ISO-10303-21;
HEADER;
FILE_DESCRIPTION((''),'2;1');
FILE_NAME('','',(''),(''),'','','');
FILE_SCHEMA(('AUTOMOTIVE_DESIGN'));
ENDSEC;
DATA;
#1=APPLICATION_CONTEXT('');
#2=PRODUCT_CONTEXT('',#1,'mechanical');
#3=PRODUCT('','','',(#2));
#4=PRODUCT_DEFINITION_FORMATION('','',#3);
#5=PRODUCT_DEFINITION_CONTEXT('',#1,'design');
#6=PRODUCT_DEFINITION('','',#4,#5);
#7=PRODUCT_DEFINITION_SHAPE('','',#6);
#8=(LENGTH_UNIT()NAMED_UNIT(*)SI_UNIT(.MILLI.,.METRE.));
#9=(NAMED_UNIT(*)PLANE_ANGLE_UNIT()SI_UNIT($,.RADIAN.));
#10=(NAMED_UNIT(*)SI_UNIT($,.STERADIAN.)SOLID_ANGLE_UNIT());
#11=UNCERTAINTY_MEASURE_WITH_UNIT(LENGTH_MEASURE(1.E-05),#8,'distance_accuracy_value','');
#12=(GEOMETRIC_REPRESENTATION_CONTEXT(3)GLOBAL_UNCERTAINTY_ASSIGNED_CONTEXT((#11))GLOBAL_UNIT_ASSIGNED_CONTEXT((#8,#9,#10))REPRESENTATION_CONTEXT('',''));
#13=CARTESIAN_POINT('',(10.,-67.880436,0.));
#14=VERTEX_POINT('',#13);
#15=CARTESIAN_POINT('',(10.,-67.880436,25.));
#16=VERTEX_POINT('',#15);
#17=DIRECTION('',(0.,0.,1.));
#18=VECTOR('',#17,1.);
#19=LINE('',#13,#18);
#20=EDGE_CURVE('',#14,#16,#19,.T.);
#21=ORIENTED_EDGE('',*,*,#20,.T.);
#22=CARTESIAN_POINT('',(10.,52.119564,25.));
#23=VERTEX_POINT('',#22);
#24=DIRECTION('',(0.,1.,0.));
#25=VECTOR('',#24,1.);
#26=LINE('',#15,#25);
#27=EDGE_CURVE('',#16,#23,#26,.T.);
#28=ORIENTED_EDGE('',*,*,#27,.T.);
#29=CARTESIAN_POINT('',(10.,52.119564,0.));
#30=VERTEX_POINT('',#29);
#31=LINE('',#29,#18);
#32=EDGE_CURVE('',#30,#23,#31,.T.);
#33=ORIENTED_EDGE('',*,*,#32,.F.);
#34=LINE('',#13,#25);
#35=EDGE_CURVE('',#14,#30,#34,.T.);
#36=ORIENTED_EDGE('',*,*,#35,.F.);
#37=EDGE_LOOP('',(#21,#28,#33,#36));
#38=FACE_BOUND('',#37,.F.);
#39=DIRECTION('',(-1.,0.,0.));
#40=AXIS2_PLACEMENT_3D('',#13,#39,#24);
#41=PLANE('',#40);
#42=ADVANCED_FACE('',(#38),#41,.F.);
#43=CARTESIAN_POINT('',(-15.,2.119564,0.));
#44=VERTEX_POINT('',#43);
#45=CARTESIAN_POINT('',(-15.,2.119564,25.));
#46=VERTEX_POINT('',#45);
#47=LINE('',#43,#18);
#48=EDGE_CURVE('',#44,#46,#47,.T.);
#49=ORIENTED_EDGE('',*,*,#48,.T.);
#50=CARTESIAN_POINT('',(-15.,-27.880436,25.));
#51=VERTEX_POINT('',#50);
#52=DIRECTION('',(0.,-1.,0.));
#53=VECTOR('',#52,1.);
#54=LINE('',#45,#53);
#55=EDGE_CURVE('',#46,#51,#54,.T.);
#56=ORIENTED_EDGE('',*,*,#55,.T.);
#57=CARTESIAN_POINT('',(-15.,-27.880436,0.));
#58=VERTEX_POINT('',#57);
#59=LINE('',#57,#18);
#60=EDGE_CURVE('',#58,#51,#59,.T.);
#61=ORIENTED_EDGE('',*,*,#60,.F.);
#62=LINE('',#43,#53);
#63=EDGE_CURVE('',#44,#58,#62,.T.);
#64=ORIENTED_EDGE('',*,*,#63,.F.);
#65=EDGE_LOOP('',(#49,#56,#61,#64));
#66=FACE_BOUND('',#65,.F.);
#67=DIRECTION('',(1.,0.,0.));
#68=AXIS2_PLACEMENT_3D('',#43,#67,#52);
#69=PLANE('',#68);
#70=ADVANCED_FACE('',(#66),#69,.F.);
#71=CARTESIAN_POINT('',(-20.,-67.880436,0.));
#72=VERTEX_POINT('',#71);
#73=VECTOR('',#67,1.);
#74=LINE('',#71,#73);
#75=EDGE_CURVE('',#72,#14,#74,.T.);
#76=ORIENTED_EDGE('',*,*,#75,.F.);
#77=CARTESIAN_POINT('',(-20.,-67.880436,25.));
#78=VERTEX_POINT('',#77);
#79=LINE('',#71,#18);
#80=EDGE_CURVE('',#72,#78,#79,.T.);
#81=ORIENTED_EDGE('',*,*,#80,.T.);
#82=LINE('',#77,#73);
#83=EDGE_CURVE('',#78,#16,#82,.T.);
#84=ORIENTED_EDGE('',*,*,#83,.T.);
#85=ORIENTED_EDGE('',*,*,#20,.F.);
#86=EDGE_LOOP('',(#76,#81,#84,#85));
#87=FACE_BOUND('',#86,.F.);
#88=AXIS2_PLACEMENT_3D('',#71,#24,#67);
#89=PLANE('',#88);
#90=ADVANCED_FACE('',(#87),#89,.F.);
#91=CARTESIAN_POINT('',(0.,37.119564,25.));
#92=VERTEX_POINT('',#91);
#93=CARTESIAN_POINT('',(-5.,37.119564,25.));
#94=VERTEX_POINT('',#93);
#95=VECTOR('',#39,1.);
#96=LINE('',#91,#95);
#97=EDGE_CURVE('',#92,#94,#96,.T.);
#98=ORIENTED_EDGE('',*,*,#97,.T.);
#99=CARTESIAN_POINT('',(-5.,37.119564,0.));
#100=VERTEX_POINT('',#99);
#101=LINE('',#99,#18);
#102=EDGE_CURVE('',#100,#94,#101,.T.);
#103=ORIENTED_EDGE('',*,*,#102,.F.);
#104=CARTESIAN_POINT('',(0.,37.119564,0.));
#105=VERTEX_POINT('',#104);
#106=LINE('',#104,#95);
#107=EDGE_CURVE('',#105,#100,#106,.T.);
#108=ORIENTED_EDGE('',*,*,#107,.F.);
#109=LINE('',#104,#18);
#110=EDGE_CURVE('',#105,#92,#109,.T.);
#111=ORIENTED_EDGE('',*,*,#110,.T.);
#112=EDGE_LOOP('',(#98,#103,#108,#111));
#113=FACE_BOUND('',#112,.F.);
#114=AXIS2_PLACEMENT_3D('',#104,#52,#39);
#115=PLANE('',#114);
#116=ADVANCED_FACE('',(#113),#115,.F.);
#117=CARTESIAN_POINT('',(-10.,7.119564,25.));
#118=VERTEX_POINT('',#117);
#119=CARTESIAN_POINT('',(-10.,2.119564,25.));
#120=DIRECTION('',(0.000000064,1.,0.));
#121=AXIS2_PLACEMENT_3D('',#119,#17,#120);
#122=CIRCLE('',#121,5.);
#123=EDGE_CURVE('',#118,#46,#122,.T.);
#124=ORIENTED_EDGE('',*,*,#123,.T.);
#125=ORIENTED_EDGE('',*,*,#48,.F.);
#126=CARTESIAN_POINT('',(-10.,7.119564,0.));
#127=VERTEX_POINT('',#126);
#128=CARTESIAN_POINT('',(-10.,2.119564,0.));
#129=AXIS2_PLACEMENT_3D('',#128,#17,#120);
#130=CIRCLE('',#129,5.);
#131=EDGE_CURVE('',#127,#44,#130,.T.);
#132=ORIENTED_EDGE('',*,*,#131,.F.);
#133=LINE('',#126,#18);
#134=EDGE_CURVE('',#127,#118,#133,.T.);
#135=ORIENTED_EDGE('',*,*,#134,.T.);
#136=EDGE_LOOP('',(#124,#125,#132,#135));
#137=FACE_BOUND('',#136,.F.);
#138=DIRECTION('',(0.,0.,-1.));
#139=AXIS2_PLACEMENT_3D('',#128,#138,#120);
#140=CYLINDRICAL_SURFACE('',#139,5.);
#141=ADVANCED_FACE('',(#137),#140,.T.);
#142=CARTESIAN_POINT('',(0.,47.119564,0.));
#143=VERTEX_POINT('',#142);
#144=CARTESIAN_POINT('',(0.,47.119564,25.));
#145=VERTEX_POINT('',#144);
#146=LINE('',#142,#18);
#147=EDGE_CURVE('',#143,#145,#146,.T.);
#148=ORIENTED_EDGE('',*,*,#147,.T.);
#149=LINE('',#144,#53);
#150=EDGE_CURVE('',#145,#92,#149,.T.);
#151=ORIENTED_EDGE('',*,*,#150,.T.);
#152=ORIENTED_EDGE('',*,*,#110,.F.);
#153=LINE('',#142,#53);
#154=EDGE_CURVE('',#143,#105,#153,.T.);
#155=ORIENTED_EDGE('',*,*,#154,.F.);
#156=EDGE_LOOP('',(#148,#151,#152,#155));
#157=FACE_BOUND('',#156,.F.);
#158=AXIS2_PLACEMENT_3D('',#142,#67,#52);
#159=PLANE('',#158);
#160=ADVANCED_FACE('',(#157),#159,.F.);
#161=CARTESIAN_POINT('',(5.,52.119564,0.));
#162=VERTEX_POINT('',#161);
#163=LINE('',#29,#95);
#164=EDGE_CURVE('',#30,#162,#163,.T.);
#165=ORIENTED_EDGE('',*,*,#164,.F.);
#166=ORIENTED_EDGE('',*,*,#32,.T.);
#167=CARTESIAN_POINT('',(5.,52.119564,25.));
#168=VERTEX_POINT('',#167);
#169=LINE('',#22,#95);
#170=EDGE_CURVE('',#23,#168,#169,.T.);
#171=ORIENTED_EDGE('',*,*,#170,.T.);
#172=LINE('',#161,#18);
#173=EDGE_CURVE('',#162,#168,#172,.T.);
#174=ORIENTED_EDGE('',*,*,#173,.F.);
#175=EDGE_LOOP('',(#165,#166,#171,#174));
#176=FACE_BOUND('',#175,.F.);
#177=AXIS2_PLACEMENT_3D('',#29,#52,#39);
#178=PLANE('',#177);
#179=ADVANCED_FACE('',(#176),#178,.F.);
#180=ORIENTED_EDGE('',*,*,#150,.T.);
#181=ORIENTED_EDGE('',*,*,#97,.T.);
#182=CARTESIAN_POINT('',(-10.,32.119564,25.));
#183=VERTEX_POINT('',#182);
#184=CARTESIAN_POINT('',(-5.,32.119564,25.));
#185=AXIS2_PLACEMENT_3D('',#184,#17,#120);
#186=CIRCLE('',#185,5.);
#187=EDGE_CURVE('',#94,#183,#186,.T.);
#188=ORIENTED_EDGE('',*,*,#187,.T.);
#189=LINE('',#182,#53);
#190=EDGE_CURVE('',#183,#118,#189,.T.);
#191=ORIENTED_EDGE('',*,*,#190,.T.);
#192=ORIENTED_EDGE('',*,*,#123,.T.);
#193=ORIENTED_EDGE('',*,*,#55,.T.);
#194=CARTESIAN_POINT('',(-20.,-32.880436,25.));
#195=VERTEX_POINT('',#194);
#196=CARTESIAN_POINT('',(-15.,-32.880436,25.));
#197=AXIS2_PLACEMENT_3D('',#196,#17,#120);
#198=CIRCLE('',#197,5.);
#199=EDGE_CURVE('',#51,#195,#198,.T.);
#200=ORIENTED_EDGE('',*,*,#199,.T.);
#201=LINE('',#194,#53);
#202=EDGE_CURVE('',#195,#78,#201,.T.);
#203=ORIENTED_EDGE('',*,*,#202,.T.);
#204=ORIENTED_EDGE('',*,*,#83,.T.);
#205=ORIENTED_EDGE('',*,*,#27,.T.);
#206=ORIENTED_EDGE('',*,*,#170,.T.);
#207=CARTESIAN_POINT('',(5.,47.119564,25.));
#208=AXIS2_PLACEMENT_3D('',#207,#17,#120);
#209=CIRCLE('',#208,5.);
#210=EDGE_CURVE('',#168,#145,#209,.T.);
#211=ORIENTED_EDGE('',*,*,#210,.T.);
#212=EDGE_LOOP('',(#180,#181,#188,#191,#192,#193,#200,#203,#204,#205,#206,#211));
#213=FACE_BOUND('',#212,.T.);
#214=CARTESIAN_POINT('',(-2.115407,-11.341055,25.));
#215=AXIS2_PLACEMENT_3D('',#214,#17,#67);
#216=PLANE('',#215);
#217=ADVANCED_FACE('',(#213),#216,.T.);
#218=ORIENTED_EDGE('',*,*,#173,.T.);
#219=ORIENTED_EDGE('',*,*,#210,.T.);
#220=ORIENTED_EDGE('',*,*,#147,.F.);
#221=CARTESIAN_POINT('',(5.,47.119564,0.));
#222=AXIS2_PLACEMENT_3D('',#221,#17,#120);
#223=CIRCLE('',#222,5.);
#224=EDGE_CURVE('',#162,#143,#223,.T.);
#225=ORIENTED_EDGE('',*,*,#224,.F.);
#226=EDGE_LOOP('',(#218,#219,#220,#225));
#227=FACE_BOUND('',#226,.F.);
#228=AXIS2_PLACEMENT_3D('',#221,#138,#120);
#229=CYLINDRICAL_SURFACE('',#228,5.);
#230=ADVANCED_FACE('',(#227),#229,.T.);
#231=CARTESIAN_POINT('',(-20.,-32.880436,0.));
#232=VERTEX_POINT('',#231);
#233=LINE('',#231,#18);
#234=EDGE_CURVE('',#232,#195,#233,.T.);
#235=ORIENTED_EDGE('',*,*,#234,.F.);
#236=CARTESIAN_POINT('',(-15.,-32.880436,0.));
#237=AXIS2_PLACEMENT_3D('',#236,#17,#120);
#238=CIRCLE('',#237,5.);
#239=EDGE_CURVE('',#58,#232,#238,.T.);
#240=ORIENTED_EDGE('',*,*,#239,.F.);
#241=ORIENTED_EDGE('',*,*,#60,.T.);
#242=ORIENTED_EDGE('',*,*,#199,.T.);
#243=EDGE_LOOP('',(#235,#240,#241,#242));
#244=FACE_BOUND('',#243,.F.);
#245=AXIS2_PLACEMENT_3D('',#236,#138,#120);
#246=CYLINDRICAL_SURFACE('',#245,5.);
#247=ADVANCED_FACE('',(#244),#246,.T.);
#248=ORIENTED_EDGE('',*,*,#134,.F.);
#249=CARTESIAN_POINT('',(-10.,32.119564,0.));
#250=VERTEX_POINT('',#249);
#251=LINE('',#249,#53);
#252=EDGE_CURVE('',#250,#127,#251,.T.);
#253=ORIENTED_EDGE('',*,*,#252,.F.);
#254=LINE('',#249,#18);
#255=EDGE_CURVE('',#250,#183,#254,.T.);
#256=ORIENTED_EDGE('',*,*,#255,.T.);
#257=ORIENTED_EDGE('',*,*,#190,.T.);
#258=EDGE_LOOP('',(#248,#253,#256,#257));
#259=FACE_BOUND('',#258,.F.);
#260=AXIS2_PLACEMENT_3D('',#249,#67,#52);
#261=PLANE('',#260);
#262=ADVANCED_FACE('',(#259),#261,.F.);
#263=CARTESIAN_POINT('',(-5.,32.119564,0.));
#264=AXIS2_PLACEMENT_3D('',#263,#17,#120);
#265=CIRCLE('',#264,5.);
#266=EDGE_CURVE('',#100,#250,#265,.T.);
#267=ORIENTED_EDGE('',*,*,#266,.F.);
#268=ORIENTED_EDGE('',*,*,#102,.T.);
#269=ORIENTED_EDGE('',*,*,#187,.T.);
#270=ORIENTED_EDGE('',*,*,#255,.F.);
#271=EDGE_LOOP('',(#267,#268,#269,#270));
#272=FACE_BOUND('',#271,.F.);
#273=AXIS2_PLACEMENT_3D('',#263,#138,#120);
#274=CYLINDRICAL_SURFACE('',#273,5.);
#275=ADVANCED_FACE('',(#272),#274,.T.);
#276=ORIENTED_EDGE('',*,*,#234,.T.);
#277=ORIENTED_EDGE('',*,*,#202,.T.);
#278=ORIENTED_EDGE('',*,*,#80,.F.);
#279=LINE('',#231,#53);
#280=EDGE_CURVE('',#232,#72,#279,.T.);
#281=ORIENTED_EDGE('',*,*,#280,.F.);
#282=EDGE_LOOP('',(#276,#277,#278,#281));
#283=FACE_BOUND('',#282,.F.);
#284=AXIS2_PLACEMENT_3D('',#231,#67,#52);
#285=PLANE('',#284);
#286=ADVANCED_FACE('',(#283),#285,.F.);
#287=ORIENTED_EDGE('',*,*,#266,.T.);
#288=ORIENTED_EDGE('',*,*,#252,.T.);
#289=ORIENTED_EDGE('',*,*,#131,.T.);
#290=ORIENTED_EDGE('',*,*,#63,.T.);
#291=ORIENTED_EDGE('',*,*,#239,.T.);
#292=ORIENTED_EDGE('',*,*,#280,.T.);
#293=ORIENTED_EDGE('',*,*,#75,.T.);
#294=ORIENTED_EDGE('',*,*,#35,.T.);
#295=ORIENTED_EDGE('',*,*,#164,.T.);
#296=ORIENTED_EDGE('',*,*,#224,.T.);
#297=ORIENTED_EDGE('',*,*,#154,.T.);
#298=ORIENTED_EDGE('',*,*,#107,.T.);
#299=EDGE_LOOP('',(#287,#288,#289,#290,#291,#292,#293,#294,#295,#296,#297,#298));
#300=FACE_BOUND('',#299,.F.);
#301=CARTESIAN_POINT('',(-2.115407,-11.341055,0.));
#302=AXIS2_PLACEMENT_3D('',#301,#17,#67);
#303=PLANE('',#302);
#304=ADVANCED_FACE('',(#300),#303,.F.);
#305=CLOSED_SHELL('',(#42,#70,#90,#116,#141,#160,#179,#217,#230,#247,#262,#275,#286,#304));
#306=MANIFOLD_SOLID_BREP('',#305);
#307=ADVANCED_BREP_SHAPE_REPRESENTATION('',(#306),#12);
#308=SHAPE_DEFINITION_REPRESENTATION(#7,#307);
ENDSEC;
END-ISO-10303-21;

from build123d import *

# Parameters (mm, degrees)
F1_DEPTH = 25


with BuildPart() as f1:
    # F0 (on Top) → F1 (new body)
    with BuildSketch(Plane.XY):
        with BuildLine():
            Line((10, -67.880436), (10, 52.119564))
            Line((10, 52.119564), (5, 52.119564))
            ThreePointArc((5, 52.119564), (1.464466, 50.655098), (0, 47.119564))
            Line((0, 47.119564), (0, 37.119564))
            Line((0, 37.119564), (-5, 37.119564))
            ThreePointArc((-5, 37.119564), (-8.535534, 35.655098), (-10, 32.119564))
            Line((-10, 32.119564), (-10, 7.119564))
            ThreePointArc((-10, 7.119564), (-13.535534, 5.655098), (-15, 2.119564))
            Line((-15, 2.119564), (-15, -27.880436))
            ThreePointArc((-15, -27.880436), (-18.535534, -29.344902), (-20, -32.880436))
            Line((-20, -32.880436), (-20, -67.880436))
            Line((-20, -67.880436), (10, -67.880436))
        make_face()
    extrude(amount=F1_DEPTH)


solid = f1.part
